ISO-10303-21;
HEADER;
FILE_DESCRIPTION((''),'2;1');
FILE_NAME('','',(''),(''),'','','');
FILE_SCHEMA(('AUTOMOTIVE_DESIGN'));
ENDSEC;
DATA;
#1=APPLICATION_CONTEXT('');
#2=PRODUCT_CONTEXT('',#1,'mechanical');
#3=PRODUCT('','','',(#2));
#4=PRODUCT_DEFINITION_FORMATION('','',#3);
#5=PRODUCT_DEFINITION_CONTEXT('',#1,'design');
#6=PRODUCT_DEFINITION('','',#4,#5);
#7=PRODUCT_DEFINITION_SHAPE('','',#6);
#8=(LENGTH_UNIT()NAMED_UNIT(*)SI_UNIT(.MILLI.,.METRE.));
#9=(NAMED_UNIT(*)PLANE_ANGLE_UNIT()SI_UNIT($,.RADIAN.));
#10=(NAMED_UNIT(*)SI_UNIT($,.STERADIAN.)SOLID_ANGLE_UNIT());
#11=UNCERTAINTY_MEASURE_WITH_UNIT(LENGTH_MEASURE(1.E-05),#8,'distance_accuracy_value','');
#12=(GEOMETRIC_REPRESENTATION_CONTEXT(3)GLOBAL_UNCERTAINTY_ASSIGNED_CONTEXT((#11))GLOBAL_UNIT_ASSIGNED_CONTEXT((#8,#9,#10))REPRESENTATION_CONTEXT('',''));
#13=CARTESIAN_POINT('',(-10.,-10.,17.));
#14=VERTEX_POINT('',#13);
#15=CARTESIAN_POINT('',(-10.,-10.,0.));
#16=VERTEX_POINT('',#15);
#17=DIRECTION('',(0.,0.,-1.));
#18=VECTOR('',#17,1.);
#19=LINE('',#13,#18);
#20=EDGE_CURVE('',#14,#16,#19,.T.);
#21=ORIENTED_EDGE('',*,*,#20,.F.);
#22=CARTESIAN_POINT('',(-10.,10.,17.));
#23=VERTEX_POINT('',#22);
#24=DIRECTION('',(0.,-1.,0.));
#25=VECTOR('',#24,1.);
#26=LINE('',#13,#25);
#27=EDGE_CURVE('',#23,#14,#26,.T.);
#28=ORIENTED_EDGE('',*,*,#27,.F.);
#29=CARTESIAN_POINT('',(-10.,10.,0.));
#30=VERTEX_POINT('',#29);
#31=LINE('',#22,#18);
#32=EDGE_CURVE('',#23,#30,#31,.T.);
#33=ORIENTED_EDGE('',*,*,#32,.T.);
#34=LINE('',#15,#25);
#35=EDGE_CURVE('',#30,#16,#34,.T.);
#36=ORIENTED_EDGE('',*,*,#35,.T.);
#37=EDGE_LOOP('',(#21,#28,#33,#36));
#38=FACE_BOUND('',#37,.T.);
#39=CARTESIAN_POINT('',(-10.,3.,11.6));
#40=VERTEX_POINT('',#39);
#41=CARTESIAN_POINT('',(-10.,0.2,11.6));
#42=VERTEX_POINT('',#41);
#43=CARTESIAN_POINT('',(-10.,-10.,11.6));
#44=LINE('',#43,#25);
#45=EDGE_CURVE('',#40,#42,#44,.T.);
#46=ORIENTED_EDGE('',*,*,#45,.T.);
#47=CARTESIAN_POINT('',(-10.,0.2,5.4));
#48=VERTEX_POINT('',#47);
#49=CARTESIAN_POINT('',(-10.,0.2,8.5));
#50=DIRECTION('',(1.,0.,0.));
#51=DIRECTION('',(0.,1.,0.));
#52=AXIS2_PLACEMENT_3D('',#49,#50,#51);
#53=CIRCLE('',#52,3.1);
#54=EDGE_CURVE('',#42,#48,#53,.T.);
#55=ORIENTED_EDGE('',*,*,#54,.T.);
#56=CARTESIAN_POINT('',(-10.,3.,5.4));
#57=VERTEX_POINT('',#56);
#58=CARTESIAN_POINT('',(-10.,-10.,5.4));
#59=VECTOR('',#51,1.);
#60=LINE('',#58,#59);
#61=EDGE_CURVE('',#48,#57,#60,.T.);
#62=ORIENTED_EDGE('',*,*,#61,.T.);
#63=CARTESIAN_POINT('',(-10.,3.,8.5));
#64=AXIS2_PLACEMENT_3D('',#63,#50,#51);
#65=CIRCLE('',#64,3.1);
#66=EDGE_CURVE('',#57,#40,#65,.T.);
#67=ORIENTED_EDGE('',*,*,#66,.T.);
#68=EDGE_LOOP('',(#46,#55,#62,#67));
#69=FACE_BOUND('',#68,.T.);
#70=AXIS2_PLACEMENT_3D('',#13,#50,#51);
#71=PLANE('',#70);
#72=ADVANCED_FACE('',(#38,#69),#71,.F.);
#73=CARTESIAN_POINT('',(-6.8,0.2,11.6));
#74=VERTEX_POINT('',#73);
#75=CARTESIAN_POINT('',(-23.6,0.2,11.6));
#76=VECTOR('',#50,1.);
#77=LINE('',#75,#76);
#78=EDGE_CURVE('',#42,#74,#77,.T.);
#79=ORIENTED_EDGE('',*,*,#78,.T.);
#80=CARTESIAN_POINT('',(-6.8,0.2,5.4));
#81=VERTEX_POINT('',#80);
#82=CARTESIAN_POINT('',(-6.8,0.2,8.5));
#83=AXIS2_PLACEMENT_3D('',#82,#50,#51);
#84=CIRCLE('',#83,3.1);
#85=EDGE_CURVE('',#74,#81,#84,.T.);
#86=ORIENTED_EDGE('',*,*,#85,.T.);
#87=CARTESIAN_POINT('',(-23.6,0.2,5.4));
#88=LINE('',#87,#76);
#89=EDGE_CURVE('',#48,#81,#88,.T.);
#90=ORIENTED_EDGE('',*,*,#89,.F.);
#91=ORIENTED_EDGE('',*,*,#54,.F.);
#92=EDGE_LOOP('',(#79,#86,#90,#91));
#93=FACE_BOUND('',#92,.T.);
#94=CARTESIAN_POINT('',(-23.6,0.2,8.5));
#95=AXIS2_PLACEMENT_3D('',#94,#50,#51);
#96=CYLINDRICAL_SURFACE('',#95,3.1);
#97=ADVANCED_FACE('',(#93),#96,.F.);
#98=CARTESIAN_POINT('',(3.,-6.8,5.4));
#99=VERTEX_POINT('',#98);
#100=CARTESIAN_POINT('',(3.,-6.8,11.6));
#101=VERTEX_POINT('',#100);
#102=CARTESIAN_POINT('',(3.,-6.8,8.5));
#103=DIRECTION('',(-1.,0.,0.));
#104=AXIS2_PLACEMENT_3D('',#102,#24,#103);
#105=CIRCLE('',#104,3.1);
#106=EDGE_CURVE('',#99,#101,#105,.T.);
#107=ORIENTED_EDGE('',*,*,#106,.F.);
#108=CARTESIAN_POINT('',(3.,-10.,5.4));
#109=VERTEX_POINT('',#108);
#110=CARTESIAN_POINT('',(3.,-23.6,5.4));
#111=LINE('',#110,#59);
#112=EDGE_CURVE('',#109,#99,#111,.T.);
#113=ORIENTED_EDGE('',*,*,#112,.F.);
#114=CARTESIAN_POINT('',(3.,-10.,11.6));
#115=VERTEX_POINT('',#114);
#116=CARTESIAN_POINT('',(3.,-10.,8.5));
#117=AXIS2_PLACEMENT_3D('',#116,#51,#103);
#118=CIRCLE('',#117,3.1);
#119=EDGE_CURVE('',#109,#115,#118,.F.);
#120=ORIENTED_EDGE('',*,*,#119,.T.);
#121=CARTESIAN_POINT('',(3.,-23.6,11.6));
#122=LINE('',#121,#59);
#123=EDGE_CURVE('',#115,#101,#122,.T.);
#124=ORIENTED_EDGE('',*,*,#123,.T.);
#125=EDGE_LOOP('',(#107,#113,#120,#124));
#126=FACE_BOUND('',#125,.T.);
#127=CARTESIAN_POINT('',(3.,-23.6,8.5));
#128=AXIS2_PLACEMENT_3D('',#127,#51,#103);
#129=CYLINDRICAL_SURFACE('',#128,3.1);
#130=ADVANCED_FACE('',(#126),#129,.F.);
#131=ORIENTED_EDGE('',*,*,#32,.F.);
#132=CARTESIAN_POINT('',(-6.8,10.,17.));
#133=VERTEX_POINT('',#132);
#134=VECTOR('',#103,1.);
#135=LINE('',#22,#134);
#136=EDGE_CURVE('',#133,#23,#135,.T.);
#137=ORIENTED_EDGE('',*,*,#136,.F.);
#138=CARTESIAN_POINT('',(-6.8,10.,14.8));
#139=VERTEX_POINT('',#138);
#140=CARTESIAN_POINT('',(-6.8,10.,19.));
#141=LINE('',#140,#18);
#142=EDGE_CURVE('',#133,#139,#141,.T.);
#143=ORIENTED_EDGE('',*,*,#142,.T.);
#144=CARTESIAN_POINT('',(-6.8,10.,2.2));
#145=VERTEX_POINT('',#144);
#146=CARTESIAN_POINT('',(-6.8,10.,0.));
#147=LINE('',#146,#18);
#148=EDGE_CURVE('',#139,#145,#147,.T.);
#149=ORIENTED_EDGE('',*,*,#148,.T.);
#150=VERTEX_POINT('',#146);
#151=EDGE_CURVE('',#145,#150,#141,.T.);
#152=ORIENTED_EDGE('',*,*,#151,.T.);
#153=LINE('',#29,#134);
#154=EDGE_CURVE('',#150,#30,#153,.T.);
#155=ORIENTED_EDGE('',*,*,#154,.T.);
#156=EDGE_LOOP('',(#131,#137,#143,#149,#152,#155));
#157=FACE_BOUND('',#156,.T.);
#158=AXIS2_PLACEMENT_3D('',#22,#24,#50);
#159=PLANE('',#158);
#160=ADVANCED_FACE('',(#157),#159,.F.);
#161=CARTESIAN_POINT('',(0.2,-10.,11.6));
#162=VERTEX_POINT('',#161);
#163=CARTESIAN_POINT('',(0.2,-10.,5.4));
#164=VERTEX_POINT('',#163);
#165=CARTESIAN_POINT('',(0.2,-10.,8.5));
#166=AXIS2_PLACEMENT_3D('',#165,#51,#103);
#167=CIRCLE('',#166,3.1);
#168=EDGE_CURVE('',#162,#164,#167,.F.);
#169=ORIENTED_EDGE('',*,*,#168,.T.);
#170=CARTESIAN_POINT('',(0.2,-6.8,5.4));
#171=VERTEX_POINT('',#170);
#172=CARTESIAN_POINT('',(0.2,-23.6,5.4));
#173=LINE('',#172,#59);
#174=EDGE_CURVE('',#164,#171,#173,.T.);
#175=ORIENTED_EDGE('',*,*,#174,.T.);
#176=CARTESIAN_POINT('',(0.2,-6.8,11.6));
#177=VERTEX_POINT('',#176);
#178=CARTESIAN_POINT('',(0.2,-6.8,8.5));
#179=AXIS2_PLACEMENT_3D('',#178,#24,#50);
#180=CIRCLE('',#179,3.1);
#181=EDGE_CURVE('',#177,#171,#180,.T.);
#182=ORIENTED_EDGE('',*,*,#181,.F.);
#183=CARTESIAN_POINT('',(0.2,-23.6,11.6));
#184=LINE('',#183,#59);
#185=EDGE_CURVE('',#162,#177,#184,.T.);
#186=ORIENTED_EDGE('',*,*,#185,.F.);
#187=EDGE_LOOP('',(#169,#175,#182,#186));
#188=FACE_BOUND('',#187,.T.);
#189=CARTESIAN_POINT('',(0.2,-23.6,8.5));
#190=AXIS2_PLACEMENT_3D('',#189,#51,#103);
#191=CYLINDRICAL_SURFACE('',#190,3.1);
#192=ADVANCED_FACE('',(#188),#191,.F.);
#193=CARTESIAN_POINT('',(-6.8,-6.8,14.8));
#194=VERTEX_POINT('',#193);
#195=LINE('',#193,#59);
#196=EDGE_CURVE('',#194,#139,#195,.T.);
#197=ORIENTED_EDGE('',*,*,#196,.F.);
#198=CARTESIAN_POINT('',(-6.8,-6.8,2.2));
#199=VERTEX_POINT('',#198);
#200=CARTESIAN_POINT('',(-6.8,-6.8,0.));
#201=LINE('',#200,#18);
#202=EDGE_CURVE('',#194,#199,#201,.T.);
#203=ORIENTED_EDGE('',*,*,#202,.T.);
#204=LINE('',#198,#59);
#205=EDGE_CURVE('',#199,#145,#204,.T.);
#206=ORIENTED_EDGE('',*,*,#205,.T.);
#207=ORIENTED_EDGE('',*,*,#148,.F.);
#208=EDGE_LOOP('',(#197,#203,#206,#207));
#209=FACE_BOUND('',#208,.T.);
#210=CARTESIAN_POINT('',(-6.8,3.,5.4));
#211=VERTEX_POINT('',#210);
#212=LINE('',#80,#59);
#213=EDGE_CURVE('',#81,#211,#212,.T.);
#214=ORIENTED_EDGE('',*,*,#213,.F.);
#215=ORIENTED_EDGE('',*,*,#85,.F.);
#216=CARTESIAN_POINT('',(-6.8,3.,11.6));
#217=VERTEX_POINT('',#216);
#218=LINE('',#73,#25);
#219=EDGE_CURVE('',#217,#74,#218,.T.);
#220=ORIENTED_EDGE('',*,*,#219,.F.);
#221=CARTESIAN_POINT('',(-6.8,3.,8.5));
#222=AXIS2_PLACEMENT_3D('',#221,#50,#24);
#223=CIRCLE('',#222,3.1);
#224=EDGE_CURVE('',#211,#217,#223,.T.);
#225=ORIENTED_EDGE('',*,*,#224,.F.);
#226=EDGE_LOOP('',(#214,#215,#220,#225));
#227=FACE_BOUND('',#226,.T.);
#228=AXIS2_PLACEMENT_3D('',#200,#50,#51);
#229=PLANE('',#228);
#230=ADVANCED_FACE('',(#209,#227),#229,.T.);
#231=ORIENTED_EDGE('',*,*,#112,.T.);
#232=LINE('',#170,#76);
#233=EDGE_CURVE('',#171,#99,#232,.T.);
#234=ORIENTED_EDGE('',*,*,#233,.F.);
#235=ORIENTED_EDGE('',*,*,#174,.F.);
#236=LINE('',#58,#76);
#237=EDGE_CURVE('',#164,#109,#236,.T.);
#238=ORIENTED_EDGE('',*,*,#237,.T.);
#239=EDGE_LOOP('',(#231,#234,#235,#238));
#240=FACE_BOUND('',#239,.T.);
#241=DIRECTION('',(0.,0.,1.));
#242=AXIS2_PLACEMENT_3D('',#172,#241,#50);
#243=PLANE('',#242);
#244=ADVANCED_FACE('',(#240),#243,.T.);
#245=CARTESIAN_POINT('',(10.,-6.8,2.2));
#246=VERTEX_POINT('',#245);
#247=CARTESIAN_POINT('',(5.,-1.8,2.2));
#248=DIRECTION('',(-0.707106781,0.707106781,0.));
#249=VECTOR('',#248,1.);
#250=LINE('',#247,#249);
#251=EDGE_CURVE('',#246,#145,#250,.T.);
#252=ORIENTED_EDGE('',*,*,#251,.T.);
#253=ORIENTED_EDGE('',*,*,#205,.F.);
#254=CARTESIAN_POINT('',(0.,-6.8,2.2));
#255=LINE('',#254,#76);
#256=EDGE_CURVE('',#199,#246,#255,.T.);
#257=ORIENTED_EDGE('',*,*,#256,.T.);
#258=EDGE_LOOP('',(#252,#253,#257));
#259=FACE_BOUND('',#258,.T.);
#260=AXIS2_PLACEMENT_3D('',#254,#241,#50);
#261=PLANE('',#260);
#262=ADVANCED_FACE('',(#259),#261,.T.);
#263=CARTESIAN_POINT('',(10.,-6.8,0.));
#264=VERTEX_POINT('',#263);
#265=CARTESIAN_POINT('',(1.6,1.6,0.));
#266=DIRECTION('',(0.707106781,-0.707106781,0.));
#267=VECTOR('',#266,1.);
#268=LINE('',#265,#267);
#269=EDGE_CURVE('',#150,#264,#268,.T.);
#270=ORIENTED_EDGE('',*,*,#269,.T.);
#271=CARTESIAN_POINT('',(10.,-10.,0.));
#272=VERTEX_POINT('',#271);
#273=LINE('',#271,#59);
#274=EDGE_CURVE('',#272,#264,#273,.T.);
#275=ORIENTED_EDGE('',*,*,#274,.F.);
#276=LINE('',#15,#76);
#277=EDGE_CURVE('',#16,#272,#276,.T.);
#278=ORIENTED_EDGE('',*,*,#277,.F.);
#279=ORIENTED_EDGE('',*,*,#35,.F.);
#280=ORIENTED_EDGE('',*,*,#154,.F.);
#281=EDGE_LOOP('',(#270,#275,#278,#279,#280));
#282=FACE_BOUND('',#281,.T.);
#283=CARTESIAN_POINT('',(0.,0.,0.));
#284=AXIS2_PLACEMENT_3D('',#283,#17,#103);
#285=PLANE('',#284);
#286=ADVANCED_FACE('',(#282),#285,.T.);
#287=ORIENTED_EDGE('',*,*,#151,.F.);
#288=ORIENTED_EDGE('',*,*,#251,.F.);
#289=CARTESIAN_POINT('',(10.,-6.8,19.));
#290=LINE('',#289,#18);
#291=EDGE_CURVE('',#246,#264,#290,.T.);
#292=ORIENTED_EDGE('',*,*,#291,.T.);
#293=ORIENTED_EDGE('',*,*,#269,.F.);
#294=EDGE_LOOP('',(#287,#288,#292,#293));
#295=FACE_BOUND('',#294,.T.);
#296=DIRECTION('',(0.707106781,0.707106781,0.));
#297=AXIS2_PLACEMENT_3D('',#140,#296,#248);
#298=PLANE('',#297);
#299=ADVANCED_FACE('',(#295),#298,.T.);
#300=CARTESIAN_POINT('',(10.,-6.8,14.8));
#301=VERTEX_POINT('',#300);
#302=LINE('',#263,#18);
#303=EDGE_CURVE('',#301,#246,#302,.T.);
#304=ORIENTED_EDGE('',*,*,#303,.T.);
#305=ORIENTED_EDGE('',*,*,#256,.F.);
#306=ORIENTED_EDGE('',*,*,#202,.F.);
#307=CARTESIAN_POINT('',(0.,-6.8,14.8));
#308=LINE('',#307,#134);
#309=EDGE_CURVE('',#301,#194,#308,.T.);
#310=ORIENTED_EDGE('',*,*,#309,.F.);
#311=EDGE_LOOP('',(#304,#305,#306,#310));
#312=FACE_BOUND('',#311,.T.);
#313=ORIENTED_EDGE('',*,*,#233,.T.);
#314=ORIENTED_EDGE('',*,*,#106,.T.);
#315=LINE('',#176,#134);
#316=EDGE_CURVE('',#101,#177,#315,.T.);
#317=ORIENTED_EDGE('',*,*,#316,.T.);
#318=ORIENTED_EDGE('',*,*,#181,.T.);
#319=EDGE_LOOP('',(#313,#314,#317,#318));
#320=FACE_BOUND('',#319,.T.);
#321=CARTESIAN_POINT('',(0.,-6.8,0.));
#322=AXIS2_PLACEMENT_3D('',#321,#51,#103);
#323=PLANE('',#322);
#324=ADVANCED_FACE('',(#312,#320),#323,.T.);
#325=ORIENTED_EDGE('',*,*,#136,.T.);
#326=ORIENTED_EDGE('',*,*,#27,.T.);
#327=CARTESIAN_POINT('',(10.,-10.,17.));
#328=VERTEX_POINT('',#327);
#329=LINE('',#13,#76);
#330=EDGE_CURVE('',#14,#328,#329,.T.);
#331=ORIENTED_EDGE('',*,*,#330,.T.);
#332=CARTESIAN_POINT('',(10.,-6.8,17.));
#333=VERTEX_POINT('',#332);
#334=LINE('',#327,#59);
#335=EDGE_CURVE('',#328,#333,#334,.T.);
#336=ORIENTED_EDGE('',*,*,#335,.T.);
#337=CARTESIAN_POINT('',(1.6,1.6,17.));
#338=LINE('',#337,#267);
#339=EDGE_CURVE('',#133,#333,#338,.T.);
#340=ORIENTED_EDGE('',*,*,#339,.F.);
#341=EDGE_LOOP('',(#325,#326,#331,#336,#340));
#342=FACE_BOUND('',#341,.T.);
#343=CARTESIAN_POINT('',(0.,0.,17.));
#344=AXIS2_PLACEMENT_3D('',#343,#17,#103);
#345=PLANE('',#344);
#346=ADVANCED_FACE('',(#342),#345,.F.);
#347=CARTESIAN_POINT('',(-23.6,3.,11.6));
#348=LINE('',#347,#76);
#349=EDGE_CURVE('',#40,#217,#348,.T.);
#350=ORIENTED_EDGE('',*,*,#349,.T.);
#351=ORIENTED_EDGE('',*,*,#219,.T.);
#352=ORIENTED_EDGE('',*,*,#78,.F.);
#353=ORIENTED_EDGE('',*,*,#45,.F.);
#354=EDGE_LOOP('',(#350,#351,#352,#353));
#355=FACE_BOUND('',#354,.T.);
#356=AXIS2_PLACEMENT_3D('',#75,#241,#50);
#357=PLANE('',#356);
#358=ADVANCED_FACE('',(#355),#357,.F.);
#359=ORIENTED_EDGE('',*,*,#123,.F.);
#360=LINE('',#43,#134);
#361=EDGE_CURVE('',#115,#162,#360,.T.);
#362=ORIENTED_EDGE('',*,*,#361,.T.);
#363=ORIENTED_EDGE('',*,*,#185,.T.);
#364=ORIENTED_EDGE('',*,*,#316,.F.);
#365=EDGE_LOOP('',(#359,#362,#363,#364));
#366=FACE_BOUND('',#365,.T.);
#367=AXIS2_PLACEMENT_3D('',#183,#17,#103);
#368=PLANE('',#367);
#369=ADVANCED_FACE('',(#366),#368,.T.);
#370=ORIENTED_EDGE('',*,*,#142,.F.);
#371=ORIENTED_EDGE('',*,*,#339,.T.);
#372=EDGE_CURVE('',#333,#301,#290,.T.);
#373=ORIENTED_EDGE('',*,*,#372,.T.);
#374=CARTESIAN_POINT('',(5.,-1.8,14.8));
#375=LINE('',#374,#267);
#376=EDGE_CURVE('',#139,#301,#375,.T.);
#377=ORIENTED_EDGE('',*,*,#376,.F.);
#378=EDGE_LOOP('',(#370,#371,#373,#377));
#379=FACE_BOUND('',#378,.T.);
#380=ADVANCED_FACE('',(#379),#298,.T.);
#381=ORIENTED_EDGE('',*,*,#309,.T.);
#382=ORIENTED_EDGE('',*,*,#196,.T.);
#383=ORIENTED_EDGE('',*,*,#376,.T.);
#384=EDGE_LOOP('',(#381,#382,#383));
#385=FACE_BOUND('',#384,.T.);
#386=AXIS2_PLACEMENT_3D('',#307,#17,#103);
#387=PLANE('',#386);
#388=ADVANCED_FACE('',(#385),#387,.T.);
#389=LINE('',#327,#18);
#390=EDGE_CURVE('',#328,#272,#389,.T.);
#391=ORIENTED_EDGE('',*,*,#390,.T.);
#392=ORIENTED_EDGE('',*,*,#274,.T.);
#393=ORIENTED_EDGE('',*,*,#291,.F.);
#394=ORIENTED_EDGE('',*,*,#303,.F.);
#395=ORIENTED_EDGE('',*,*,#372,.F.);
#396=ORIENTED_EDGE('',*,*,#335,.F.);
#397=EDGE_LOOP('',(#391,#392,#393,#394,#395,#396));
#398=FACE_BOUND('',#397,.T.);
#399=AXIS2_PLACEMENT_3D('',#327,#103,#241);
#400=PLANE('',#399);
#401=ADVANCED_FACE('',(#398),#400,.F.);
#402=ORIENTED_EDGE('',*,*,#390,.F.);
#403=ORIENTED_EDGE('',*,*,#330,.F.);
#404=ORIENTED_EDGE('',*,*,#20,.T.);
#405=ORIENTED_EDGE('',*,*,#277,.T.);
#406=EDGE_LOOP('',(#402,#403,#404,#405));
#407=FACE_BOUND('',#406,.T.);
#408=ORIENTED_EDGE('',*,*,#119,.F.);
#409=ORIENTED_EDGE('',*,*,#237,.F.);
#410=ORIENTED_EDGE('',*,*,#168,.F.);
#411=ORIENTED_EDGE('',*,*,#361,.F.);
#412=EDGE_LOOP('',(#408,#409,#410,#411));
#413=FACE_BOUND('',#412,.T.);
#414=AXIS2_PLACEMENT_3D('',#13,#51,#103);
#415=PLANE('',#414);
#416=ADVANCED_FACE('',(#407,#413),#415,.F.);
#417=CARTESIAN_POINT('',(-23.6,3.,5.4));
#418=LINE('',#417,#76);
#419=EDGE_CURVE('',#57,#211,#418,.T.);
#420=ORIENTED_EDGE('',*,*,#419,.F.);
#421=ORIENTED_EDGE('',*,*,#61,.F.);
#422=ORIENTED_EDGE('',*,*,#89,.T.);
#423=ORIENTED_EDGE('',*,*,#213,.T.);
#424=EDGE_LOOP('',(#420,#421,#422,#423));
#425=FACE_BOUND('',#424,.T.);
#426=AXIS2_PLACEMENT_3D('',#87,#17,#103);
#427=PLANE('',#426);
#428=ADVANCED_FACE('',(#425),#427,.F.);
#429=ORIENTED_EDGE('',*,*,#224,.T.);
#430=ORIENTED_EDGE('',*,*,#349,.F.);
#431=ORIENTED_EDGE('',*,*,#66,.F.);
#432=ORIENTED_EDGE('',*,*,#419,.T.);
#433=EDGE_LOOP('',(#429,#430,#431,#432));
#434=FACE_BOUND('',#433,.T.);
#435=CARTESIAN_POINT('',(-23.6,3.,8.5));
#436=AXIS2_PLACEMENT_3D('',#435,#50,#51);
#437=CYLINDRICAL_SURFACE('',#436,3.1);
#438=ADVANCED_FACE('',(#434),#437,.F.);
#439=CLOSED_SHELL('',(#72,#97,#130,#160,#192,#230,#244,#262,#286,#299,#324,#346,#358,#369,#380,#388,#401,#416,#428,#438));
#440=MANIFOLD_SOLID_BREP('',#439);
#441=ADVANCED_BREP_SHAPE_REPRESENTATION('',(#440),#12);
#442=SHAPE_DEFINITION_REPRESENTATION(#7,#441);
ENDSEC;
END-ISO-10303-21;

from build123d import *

# Parameters (mm, degrees)
SKETCH_1_W               = 20
SKETCH_1_H               = 20
EXTRUDE_1_DEPTH          = 17
SKETCH_2_W               = 16.8
SKETCH_2_H               = 12.6
CUT_EXTRUDE_1_DEPTH      = 16.8
CUT_EXTRUDE_2_DEPTH      = 16.8
CUT_EXTRUDE_2_DEPTH_BACK = 16.8
CUT_EXTRUDE_3_DEPTH      = 16.8


with BuildPart() as part:
    # 草图1 → 凸台-拉伸1 (new body)
    with BuildSketch(Plane.XY):
        Rectangle(SKETCH_1_W, SKETCH_1_H)
    extrude(amount=EXTRUDE_1_DEPTH)

    # 草图2 → 切除-拉伸1 (cut)
    with BuildSketch(Plane(origin=(0, 10, 0), x_dir=(1, 0, 0), z_dir=(0, 1, 0))):
        with Locations((1.6, -8.5)):
            Rectangle(SKETCH_2_W, SKETCH_2_H)
    extrude(amount=-CUT_EXTRUDE_1_DEPTH, mode=Mode.SUBTRACT)

    # 草图3 → 切除-拉伸2 (cut, two sides: drawn at the far end of the back side and taken through both)
    with BuildSketch(Plane.XY.offset(2.2).offset(-CUT_EXTRUDE_2_DEPTH_BACK)):
        Polygon((-6.8, 10), (10, -6.8), (10, 10), align=None)
    extrude(amount=CUT_EXTRUDE_2_DEPTH + CUT_EXTRUDE_2_DEPTH_BACK, mode=Mode.SUBTRACT)

    # 草图4 → 切除-拉伸3 (cut)
    with BuildSketch(Plane(origin=(-6.8, 0, 0), x_dir=(0, 0, -1), z_dir=(1, 0, 0))):
        with BuildLine():
            Line((-5.4, 0.2), (-5.4, 3))
            ThreePointArc((-5.4, 3), (-8.5, 6.1), (-11.6, 3))
            Line((-11.6, 3), (-11.6, 0.2))
            ThreePointArc((-11.6, 0.2), (-8.5, -2.9), (-5.4, 0.2))
        make_face()
    cut_extrude_3 = extrude(amount=-CUT_EXTRUDE_3_DEPTH, mode=Mode.SUBTRACT)

    # 镜向1: 切除-拉伸3 across plane
    add(cut_extrude_3.mirror(Plane(origin=(0, 0, 0), x_dir=(0, 0, 1), z_dir=(0.7071067811865479, -0.7071067811865471, 0))), mode=Mode.SUBTRACT)


solid = part.part
